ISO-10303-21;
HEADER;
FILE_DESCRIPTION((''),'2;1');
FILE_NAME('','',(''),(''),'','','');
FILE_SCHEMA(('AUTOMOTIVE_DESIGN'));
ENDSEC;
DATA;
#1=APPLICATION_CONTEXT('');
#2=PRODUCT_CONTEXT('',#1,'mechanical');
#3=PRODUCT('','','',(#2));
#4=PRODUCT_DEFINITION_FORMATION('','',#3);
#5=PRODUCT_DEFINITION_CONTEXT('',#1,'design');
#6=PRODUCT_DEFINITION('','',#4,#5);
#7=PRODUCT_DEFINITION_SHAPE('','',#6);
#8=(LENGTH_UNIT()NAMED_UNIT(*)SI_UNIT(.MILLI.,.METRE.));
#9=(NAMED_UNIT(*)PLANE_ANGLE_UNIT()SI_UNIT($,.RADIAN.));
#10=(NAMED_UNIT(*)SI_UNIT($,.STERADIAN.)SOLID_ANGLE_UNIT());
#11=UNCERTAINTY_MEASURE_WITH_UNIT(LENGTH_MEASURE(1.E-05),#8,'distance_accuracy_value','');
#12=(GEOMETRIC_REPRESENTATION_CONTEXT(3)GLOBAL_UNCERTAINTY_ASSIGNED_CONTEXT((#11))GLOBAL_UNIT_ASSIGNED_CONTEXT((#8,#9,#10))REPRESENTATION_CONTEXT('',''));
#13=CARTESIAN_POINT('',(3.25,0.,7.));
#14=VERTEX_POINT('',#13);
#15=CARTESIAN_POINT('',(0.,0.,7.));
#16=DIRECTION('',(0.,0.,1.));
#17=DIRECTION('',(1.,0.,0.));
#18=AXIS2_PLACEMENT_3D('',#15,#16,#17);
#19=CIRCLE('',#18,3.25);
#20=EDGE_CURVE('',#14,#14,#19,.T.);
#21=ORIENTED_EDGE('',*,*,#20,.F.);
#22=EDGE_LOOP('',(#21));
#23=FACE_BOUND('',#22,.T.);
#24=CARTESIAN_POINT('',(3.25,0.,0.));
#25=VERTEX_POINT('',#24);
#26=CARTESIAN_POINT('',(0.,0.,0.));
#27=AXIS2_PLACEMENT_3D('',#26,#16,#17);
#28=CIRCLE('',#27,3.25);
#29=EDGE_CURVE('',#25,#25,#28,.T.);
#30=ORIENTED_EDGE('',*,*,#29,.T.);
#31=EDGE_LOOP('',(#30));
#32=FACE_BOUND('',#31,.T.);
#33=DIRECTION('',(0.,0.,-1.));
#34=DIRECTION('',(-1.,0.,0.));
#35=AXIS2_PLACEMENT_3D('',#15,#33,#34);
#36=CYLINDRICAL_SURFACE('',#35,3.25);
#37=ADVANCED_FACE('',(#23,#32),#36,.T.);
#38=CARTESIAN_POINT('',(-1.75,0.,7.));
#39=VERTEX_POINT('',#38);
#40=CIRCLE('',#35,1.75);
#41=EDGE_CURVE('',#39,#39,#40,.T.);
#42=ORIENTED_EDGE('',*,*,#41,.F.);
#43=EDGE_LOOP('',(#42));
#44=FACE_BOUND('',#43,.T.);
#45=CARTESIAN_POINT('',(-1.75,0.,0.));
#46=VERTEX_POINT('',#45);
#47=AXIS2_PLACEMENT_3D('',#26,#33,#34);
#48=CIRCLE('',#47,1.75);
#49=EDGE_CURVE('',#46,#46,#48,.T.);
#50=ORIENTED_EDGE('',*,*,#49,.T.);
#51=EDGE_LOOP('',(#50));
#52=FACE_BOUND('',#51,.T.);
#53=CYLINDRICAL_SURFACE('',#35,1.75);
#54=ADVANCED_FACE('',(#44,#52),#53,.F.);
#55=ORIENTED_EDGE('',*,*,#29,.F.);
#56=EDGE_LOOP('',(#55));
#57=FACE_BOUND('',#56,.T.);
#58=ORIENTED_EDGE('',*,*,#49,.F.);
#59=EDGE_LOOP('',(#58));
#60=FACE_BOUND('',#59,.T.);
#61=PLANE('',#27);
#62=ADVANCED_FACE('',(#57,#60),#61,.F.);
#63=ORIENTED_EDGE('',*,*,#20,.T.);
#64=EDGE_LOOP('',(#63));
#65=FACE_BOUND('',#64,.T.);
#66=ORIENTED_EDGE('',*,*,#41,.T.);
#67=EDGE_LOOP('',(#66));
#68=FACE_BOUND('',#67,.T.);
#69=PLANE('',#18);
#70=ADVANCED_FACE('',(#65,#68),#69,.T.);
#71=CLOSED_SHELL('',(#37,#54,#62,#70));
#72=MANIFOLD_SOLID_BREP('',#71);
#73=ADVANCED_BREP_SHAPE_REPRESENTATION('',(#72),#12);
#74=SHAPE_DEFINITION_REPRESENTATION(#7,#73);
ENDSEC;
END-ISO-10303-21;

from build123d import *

# Parameters (mm, degrees)
ESBO_O1_R                = 3.25
RESSALTO_EXTRUS_O1_DEPTH = 7
ESBO_O2_R                = 1.75
CORTE_EXTRUS_O1_DEPTH    = 7


with BuildPart() as part:
    # Esboço1 → Ressalto-extrusão1 (new body)
    with BuildSketch(Plane.XY):
        Circle(ESBO_O1_R)
    extrude(amount=RESSALTO_EXTRUS_O1_DEPTH)

    # Esboço2 → Corte-extrusão1 (cut)
    with BuildSketch(Plane(origin=(0, 0, 0), x_dir=(-1, 0, 0), z_dir=(0, 0, -1))):
        Circle(ESBO_O2_R)
    extrude(amount=-CORTE_EXTRUS_O1_DEPTH, mode=Mode.SUBTRACT)


solid = part.part
